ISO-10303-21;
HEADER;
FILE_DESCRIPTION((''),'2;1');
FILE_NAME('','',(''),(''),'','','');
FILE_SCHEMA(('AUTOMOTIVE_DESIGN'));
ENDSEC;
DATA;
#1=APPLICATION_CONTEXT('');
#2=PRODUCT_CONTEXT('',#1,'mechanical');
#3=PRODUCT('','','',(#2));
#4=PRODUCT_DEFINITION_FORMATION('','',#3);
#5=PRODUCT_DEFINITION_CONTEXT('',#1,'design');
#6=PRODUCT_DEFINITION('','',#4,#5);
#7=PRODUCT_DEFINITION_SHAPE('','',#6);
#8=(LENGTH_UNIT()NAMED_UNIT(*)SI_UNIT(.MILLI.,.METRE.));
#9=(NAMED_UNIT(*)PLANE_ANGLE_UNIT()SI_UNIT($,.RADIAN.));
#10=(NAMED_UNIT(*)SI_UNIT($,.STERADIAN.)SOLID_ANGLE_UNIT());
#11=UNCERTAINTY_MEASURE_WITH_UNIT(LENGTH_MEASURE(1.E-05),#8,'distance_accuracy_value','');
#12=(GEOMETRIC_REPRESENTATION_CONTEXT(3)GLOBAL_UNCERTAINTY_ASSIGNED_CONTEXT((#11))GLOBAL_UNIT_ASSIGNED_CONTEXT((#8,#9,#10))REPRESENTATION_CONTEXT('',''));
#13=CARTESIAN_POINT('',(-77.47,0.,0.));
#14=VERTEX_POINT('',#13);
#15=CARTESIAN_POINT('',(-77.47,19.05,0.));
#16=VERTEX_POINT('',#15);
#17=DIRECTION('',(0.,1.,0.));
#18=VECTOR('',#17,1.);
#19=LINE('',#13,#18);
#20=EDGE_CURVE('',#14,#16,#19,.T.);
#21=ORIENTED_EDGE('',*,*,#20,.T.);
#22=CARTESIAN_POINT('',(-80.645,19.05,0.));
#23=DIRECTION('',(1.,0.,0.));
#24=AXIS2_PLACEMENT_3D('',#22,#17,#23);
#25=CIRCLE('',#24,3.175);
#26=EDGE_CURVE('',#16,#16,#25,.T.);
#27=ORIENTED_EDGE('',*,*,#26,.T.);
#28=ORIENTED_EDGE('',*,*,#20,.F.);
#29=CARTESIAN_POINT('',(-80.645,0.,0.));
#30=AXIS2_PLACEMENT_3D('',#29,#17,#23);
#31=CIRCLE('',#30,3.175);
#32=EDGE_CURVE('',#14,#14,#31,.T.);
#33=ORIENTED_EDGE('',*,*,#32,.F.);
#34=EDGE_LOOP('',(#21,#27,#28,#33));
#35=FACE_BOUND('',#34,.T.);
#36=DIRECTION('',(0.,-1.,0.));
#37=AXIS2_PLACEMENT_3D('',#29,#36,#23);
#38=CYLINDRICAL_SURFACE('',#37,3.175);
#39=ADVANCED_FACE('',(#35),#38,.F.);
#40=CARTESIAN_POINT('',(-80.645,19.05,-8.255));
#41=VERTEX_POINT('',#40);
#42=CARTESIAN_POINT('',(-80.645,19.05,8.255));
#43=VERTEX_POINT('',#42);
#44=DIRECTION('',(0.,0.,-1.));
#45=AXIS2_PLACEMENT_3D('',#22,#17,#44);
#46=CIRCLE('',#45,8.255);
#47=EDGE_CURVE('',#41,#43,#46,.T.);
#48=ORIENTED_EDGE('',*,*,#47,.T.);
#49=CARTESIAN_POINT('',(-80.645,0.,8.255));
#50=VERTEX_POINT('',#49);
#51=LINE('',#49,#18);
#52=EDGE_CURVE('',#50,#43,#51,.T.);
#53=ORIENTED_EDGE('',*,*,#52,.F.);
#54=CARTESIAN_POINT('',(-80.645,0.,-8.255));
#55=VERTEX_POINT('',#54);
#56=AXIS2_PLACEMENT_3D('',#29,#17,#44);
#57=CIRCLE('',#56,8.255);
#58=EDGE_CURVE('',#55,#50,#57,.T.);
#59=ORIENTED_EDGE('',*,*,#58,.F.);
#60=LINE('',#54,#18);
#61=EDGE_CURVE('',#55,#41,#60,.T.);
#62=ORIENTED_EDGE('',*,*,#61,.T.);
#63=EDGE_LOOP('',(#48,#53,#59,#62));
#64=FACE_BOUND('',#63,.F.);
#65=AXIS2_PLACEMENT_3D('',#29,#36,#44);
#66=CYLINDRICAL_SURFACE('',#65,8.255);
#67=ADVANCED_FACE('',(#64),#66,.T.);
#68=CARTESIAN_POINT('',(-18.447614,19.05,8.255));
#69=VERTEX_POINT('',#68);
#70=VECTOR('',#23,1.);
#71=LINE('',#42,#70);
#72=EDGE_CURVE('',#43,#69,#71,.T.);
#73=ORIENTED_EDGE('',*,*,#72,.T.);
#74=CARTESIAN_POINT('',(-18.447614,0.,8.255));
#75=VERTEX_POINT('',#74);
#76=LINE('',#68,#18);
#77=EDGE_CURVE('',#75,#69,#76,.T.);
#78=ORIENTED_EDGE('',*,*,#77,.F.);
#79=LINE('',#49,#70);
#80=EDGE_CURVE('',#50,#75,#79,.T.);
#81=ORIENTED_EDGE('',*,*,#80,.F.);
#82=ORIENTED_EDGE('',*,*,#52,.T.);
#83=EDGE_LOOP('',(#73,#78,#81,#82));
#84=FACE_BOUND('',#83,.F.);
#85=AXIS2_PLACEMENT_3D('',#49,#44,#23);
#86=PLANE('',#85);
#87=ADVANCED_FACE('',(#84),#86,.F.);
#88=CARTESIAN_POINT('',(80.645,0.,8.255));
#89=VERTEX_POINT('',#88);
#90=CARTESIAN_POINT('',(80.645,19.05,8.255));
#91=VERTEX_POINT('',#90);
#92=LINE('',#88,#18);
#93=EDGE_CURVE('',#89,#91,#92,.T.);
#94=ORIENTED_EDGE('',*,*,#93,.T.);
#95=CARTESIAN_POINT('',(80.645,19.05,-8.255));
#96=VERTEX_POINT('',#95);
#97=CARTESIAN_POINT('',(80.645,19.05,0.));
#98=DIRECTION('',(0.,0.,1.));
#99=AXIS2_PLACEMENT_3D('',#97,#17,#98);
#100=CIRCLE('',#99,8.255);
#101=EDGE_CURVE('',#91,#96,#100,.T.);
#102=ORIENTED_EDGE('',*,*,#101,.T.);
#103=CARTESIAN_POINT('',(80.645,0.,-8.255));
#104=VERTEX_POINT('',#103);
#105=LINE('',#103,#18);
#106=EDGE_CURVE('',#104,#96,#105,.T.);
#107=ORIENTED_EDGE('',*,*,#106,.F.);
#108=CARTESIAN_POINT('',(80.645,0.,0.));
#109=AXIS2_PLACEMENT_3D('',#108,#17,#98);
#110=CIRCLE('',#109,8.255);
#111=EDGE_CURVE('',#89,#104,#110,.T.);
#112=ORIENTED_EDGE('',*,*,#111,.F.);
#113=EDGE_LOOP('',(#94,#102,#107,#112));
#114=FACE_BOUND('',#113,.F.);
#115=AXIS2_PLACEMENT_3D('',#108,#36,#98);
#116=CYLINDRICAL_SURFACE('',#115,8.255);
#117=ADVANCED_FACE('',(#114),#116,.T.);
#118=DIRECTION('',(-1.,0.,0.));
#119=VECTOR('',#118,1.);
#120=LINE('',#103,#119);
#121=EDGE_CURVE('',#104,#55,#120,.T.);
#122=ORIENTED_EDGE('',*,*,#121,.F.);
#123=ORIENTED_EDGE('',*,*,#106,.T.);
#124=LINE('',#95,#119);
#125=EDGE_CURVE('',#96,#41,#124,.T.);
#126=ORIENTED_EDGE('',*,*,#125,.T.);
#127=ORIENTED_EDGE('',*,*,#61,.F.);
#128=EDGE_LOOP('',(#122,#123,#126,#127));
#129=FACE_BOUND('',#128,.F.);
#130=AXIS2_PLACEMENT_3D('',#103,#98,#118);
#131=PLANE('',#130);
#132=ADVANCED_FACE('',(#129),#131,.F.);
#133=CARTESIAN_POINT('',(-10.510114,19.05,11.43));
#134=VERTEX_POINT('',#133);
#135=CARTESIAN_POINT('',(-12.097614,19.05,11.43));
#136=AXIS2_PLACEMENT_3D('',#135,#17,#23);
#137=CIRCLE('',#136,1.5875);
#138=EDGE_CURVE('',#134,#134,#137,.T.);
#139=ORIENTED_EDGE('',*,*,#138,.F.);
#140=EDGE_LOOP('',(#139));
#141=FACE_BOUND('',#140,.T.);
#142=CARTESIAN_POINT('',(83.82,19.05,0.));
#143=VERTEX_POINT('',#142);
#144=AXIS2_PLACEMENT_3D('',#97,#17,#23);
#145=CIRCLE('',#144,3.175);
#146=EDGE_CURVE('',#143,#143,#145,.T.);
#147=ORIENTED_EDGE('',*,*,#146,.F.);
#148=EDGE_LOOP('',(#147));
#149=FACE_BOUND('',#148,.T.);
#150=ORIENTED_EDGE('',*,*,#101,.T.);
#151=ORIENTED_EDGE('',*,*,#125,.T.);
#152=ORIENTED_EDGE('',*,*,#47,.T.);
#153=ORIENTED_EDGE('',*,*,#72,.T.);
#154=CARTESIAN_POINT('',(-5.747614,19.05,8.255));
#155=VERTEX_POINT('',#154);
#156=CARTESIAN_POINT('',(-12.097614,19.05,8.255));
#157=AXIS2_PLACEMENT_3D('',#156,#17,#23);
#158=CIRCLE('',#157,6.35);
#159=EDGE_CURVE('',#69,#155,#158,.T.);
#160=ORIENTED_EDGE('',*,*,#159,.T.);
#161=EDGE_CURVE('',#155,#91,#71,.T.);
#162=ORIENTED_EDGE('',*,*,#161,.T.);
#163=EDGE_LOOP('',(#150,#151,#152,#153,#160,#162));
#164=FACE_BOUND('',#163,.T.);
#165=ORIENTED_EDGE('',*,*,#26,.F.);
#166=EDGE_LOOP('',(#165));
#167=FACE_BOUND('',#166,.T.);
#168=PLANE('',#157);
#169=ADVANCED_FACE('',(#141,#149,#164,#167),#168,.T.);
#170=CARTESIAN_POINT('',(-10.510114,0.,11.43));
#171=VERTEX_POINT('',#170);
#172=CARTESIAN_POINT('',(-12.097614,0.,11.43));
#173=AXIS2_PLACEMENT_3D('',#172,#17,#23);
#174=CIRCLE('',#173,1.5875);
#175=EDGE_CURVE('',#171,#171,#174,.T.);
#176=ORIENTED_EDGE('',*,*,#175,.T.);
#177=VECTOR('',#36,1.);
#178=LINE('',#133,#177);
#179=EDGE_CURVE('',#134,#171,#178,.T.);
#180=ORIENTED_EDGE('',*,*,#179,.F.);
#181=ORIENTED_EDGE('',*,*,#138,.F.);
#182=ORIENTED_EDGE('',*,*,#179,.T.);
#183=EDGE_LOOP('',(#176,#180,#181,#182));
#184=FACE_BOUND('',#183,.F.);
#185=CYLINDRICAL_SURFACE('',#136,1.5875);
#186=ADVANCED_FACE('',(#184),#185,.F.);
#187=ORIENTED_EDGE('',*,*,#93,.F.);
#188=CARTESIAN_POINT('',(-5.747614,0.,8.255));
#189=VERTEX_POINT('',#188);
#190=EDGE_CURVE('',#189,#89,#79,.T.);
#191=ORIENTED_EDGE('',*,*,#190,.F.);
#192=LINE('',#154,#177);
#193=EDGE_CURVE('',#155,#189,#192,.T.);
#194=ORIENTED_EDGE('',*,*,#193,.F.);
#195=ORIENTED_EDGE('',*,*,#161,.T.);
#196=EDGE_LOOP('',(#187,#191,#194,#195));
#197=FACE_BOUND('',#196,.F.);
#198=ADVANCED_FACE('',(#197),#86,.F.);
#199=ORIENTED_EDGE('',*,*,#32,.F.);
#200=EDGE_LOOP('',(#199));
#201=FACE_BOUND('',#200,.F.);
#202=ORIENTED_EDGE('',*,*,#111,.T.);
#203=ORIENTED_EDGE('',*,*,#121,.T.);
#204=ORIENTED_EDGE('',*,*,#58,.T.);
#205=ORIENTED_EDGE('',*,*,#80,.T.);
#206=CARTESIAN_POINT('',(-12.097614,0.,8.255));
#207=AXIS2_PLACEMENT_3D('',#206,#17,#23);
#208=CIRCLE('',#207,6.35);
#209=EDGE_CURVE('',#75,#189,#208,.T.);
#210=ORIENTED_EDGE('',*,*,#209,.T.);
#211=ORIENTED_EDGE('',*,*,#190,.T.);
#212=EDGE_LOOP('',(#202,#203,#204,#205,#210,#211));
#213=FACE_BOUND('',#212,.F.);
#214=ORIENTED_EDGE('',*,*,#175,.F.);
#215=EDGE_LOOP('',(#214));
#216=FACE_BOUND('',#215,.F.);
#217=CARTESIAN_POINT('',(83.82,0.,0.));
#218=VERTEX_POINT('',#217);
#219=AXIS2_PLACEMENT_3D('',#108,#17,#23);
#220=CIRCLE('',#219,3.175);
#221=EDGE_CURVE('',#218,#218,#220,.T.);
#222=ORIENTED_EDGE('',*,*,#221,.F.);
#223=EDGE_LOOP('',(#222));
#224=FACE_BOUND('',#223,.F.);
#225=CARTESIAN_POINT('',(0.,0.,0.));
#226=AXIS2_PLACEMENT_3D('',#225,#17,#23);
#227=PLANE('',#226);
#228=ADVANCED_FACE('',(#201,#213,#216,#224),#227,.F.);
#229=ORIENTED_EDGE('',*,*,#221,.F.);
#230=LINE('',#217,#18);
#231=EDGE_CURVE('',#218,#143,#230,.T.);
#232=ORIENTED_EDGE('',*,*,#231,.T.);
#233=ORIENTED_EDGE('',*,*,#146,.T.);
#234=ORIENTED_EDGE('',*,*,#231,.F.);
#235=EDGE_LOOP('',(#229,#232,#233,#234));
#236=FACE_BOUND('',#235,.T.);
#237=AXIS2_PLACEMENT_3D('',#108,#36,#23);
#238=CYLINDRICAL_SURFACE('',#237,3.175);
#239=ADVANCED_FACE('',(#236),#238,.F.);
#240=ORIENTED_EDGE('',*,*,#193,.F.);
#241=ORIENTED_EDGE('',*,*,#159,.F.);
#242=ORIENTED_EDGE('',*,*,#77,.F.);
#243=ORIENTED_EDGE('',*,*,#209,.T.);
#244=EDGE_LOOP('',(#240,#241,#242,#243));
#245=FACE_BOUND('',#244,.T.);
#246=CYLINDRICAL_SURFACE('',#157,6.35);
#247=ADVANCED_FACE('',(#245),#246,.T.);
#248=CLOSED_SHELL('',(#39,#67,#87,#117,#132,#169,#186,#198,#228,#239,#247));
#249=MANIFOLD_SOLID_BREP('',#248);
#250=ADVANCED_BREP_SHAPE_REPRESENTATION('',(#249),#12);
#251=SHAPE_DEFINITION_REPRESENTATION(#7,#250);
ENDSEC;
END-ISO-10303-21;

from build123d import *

# Parameters (mm, degrees)
SKETCH1_R           = 3.175
BOSS_EXTRUDE1_DEPTH = 19.05
SKETCH2_R           = 6.35
SKETCH2_R_2         = 1.5875
BOSS_EXTRUDE2_DEPTH = 19.05


with BuildPart() as part:
    # Sketch1 → Boss-Extrude1 (new body)
    with BuildSketch(Plane(origin=(0, 0, 0), x_dir=(1, 0, 0), z_dir=(0, 1, 0))):
        with BuildLine():
            Line((-80.645, -8.255), (80.645, -8.255))
            ThreePointArc((80.645, -8.255), (88.9, 0), (80.645, 8.255))
            Line((80.645, 8.255), (-80.645, 8.255))
            ThreePointArc((-80.645, 8.255), (-88.9, 0), (-80.645, -8.255))
        make_face()
        with Locations((-80.645, 0)):
            Circle(SKETCH1_R, mode=Mode.SUBTRACT)
        with Locations((80.645, 0)):
            Circle(SKETCH1_R, mode=Mode.SUBTRACT)
    extrude(amount=BOSS_EXTRUDE1_DEPTH)

    # Sketch2 → Boss-Extrude2 (add)
    with BuildSketch(Plane(origin=(0, 19.05, 0), x_dir=(1, 0, 0), z_dir=(0, 1, 0))):
        with Locations((-12.0976136, -8.255)):
            Circle(SKETCH2_R)
        with Locations((-12.0976136, -11.43)):
            Circle(SKETCH2_R_2, mode=Mode.SUBTRACT)
    extrude(amount=-BOSS_EXTRUDE2_DEPTH)


solid = part.part
